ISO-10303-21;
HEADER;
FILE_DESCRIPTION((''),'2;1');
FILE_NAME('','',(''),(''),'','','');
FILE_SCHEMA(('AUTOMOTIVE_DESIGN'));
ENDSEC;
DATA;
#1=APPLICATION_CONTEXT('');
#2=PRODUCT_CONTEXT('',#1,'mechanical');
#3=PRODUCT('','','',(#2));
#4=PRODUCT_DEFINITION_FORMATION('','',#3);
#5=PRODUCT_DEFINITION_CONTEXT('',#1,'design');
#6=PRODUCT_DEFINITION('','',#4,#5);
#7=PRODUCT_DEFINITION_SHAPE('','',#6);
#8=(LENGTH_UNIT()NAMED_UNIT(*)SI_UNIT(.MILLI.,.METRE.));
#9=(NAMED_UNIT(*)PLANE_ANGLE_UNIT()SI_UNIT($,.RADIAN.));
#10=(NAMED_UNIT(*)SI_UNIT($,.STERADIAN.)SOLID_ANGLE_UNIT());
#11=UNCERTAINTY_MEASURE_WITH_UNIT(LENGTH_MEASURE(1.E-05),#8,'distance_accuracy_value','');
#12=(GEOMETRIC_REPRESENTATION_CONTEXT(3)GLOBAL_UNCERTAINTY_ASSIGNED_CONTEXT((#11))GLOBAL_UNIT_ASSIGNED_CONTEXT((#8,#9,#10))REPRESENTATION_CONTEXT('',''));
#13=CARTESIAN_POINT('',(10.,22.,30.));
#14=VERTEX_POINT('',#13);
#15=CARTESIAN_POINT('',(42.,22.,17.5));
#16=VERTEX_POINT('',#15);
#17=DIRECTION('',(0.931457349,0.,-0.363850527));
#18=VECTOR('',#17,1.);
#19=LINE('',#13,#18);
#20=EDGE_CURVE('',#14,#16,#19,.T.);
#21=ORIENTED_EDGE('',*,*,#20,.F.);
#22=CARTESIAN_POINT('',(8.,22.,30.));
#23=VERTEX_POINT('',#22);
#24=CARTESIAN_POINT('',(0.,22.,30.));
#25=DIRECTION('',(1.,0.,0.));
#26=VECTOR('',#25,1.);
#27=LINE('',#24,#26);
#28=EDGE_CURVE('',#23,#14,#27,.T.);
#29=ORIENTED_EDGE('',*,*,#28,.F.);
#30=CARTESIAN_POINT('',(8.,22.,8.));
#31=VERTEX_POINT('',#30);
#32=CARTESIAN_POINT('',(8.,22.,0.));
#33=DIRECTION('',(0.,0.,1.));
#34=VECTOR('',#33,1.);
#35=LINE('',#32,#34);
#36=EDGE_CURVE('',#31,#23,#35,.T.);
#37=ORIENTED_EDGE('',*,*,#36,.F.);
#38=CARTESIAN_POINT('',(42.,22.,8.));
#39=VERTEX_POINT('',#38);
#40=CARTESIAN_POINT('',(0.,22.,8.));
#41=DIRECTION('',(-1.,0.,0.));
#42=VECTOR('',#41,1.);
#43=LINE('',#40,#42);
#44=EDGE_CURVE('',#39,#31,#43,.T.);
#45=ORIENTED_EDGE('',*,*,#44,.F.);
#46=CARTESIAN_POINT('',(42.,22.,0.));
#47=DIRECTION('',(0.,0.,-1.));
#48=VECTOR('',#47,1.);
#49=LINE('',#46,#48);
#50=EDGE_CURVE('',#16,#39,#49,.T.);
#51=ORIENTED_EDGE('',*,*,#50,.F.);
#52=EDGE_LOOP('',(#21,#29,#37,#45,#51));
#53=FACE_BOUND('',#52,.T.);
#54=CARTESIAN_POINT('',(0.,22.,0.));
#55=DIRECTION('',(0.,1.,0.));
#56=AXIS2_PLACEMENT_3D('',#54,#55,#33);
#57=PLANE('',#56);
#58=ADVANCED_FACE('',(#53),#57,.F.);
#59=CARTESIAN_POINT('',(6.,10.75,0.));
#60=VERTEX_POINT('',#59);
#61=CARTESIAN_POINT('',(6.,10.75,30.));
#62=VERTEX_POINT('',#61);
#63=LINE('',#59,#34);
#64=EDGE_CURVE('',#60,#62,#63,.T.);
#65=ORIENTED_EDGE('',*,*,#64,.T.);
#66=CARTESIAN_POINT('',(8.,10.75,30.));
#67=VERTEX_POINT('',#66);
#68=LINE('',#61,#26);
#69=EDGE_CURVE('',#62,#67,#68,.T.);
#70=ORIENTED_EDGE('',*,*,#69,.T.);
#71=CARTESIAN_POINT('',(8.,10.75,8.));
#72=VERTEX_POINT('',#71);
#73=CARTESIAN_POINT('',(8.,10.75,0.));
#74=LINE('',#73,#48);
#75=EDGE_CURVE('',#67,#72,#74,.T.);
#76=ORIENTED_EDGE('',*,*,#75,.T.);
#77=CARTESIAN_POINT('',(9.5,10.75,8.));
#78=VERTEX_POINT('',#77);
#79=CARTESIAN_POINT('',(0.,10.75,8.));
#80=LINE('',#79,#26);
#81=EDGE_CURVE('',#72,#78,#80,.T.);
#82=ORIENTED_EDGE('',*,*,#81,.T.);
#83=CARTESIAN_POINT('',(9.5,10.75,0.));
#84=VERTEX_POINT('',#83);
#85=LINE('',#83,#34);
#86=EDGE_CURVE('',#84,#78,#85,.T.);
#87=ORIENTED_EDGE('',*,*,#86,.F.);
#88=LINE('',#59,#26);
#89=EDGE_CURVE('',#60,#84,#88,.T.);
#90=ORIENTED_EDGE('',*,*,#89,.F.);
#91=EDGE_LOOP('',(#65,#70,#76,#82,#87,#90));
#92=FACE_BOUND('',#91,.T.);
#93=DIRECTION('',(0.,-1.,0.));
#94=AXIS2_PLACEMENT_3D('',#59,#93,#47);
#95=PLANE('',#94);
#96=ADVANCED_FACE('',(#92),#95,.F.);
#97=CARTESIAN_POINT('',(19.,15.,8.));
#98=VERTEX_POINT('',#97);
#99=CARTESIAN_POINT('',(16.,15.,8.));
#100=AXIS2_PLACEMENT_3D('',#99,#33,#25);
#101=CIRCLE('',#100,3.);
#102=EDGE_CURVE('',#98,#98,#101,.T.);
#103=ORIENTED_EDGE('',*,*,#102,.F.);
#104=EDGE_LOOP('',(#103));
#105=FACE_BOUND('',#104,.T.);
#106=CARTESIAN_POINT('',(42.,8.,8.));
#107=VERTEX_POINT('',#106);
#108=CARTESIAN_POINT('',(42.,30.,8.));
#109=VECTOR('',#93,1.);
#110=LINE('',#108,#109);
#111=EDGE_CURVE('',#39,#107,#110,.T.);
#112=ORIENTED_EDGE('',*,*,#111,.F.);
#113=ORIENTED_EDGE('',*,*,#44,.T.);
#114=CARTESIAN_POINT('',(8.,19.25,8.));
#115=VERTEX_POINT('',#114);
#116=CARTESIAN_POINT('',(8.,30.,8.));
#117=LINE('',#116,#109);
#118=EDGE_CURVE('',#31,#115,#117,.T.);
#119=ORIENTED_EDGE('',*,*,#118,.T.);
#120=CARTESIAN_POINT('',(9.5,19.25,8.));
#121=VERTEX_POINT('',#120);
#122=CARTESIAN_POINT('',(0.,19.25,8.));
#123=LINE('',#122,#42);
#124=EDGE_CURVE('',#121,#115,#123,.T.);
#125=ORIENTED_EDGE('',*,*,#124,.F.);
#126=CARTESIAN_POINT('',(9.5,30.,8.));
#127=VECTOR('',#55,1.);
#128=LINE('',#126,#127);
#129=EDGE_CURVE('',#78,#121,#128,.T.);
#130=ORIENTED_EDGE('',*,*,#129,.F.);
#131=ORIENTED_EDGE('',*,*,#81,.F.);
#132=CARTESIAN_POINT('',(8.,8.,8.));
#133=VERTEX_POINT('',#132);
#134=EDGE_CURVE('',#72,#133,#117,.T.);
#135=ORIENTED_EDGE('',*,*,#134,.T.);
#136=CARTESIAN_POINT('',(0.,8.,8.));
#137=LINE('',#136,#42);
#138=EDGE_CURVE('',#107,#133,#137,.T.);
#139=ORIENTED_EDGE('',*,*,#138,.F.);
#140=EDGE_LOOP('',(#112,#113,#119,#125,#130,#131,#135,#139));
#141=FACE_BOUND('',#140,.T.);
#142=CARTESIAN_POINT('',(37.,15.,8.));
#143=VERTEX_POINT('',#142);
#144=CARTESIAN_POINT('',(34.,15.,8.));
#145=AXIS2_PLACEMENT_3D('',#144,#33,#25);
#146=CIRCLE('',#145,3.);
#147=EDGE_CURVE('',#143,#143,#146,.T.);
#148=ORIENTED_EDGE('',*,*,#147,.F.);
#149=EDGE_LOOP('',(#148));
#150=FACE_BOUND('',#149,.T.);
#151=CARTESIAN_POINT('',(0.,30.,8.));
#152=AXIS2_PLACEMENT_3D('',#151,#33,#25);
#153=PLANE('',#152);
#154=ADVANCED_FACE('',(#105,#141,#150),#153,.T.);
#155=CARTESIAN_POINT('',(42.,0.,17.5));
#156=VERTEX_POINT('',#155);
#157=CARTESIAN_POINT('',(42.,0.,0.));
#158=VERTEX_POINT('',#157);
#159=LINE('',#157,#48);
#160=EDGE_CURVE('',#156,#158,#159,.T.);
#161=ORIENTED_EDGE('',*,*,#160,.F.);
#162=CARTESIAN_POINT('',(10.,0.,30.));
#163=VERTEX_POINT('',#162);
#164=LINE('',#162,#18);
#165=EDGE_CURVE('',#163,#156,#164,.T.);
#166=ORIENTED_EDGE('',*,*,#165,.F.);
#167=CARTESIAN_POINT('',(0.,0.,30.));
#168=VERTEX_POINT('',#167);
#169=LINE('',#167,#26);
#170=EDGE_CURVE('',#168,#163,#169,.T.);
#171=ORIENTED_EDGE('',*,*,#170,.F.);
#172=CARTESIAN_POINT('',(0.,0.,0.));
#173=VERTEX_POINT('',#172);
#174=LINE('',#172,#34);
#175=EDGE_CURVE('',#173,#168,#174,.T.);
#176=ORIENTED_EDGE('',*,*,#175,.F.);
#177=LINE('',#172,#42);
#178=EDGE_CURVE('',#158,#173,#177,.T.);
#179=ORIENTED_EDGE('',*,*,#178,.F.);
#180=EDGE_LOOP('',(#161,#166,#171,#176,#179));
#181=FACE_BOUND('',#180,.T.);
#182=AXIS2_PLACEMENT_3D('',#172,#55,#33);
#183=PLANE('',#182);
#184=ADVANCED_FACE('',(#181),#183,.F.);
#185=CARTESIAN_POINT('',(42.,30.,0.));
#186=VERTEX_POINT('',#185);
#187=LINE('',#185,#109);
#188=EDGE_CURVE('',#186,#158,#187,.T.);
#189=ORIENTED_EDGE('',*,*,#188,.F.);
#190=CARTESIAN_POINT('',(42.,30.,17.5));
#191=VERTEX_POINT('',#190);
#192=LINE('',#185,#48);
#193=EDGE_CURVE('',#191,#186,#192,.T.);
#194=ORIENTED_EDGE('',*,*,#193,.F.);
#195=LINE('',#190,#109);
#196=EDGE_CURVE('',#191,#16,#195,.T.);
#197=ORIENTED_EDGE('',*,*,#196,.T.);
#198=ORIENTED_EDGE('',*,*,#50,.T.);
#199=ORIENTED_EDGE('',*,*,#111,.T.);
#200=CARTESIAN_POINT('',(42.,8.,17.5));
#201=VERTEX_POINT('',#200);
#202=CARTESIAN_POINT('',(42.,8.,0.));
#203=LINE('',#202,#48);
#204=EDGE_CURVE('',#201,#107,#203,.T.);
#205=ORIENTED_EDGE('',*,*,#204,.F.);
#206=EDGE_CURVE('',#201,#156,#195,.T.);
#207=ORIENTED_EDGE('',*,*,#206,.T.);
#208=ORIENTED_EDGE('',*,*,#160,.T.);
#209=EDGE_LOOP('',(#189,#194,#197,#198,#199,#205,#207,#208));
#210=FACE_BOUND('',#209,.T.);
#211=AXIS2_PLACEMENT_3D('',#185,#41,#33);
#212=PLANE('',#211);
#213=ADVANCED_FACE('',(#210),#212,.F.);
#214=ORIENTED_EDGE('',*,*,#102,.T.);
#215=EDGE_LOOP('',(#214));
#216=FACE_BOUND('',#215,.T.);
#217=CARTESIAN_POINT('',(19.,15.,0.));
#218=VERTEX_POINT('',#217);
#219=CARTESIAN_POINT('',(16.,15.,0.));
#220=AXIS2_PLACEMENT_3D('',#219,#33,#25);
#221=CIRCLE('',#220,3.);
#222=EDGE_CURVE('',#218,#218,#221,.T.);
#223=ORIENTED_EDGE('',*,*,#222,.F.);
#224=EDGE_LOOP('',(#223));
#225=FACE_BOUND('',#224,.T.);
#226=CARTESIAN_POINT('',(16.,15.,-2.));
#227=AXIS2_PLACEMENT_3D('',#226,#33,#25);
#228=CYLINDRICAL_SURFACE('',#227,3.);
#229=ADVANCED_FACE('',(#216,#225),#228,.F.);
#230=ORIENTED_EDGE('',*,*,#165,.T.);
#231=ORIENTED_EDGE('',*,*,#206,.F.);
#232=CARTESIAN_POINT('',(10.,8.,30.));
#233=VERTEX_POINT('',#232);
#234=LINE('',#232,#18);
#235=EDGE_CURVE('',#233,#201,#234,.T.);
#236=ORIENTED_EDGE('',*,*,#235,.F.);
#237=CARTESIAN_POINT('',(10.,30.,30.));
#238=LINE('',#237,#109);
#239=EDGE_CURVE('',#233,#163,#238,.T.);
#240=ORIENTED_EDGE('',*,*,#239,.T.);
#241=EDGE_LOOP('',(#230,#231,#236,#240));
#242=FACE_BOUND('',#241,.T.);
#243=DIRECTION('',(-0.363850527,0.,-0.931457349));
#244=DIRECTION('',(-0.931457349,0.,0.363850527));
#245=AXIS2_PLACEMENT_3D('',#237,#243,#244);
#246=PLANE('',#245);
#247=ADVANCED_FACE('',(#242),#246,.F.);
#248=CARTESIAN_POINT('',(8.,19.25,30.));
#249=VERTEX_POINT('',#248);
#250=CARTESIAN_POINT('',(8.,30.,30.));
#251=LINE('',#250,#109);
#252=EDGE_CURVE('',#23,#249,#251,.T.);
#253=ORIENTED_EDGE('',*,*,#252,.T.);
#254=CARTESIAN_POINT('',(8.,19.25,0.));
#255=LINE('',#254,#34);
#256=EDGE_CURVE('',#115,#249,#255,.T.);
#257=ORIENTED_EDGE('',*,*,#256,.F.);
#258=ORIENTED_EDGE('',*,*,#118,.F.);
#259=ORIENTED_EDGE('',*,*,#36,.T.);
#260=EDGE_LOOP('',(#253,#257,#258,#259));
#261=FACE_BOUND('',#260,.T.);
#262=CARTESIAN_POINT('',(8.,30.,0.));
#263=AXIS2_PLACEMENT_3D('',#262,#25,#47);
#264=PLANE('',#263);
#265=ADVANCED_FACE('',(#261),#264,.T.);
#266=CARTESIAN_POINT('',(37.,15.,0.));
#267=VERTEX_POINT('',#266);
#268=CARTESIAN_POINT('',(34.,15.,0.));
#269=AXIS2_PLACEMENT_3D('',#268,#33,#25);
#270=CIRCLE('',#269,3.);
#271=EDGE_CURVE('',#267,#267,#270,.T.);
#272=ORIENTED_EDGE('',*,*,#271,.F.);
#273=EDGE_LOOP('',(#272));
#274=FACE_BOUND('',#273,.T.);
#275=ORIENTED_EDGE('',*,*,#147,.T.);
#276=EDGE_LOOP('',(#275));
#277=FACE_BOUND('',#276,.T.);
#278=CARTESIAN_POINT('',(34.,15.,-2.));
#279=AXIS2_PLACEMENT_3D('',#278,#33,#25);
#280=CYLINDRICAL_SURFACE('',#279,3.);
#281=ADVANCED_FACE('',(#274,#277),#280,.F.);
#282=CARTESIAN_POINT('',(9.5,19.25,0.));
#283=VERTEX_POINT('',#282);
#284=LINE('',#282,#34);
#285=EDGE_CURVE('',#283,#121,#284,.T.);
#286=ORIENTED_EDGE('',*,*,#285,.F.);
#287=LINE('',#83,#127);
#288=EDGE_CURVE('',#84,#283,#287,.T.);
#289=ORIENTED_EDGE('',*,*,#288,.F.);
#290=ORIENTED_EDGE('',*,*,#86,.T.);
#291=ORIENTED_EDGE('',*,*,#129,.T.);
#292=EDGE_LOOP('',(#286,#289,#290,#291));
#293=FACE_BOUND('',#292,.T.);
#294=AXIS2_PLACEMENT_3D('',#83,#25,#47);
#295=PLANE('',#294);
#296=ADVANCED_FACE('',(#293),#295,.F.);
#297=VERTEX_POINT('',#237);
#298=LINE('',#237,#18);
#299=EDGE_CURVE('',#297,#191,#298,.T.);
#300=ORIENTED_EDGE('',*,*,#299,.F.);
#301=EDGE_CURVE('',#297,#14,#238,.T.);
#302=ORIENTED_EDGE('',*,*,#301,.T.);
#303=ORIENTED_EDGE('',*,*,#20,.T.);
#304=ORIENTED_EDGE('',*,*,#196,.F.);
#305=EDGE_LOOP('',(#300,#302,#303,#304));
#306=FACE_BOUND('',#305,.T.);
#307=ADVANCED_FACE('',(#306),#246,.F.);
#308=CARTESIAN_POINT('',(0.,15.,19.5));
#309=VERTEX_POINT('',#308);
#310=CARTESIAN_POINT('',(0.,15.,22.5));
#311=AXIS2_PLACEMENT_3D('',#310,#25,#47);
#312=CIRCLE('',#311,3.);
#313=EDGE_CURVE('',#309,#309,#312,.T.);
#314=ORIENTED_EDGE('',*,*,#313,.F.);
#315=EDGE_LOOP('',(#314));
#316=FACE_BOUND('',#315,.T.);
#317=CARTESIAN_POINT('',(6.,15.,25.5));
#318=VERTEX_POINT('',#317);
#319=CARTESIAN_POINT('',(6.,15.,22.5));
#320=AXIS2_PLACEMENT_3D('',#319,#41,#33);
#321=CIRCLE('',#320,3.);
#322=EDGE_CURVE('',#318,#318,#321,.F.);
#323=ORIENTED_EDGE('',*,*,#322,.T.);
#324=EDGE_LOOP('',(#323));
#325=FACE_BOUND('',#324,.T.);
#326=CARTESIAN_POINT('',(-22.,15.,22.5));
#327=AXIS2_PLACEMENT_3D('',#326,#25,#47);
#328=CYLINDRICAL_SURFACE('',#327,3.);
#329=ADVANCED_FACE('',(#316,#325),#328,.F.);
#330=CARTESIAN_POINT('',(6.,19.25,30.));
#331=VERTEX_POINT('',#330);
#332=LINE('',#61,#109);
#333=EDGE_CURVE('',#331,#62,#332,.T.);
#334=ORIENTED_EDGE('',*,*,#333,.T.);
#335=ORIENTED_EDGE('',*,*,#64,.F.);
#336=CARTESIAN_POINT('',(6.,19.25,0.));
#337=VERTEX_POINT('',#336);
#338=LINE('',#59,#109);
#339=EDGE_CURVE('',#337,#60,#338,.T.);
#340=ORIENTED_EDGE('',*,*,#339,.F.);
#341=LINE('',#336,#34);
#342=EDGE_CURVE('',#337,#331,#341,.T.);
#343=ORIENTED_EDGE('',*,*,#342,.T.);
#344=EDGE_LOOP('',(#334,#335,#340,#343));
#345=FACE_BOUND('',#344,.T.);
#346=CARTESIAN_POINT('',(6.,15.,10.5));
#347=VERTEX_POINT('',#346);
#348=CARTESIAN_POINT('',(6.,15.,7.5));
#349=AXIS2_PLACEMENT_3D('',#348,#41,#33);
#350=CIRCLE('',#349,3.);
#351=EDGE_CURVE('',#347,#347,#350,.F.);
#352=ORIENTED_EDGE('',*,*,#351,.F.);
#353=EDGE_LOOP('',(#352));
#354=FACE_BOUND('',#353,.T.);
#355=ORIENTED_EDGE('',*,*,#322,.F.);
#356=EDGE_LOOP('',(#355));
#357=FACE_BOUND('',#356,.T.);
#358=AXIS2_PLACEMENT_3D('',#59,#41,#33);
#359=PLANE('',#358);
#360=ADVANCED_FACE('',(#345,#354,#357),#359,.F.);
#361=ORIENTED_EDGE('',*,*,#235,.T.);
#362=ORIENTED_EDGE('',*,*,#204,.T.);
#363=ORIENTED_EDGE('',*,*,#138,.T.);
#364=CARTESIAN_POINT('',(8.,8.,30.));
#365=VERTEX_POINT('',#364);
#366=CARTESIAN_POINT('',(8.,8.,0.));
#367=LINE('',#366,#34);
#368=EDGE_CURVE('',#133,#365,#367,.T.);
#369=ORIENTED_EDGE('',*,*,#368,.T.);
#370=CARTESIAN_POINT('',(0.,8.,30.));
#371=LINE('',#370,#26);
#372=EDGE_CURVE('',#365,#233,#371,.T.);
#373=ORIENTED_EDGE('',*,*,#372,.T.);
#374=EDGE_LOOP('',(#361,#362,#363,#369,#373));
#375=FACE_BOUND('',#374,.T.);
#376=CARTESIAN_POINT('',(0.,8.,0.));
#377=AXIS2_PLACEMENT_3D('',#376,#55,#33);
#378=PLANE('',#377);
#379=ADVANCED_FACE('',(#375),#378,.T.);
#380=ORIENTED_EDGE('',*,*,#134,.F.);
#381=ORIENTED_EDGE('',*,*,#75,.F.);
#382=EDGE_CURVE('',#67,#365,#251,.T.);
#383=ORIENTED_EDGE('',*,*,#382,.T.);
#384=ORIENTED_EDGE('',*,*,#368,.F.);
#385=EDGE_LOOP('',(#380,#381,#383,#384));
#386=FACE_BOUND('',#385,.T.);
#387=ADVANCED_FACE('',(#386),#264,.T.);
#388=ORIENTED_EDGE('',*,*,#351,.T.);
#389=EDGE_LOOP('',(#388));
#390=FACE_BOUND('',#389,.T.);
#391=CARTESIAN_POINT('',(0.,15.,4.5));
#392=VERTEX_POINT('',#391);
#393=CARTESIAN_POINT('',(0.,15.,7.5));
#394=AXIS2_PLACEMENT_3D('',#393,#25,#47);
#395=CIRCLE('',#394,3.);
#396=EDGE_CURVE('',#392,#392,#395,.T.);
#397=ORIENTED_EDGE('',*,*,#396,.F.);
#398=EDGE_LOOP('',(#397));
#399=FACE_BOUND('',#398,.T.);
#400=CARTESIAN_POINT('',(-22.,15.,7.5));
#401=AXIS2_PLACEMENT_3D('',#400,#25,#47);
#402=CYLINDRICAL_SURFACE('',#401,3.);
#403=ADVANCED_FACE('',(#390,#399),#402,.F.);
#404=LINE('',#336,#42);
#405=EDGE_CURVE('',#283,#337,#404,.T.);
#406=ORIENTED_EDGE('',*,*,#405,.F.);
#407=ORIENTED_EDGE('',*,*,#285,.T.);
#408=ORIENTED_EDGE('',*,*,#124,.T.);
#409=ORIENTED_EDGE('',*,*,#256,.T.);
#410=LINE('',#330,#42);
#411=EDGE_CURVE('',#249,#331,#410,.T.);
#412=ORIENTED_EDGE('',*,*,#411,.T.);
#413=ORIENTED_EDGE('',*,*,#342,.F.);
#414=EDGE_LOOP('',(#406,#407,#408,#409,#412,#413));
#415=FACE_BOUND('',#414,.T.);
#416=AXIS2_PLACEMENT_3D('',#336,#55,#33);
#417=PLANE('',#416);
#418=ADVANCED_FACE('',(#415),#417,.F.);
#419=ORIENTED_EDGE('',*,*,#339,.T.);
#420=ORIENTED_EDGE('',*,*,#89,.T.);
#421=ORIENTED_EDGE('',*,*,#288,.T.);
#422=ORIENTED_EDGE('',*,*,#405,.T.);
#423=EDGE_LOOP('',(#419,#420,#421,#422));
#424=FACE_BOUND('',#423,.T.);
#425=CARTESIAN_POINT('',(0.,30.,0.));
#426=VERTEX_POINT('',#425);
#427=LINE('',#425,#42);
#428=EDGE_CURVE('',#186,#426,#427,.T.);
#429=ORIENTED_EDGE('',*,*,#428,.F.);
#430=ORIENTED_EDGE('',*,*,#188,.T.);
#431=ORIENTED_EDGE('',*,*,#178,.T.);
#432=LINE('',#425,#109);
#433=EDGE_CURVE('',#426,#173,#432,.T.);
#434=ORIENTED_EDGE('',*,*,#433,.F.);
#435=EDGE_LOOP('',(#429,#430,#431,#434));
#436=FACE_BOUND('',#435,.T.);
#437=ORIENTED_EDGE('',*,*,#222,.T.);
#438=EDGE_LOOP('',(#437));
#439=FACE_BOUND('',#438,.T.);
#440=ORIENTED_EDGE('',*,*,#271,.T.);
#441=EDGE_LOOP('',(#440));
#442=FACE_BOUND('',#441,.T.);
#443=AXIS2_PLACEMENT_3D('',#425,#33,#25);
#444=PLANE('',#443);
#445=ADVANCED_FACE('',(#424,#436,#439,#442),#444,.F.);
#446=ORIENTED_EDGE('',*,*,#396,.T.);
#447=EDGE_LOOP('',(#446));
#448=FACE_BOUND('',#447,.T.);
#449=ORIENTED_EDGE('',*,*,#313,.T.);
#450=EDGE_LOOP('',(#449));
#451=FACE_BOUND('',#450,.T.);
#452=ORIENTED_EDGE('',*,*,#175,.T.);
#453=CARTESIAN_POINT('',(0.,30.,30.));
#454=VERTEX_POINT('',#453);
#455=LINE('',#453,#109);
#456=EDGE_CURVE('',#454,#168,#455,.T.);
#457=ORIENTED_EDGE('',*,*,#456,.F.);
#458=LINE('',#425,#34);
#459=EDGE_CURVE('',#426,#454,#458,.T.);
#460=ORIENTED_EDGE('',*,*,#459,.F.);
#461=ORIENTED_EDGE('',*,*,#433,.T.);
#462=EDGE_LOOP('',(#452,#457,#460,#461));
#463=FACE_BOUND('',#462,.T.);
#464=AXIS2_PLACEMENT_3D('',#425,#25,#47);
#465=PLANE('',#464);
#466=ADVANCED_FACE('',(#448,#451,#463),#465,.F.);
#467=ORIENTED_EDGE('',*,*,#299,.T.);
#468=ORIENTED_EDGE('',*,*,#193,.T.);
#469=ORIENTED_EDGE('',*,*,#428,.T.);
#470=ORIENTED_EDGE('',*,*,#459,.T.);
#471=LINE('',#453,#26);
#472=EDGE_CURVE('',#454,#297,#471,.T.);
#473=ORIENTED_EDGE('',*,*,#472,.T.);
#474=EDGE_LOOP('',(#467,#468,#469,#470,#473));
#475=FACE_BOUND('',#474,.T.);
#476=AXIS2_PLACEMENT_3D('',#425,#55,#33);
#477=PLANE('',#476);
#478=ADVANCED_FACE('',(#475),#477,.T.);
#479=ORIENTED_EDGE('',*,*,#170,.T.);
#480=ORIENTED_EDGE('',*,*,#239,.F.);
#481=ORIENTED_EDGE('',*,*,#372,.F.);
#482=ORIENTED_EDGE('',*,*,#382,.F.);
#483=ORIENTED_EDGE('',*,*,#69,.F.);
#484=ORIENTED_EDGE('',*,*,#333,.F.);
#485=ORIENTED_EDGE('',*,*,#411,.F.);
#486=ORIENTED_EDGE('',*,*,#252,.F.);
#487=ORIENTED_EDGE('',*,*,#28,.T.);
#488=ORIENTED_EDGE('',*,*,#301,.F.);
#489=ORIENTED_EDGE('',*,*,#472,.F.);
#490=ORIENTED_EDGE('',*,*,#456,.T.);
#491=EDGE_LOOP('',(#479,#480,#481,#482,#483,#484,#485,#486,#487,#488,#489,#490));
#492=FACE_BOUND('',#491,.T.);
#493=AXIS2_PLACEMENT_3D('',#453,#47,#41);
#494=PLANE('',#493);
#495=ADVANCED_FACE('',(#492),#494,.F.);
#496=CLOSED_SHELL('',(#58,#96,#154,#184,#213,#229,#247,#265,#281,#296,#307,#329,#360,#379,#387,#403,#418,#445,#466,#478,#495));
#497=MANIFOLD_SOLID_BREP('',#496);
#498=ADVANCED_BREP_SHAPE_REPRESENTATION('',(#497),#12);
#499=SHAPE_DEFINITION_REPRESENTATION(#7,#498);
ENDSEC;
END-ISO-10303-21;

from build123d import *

# Parameters (mm, degrees)
BOSS_EXTRUDE1_DEPTH     = 30
SHELL1_T                = -8
SKETCH3_R               = 3
CUT_EXTRUDE1_DEPTH      = 30
SKETCH4_R               = 3
CUT_EXTRUDE2_DEPTH      = 10
CUT_EXTRUDE3_DEPTH      = 57.107040556
CUT_EXTRUDE3_DEPTH_BACK = 57.107040556
SKETCH8_W               = 3.5
SKETCH8_H               = 8.5


with BuildPart() as part:
    # Sketch2 → Boss-Extrude1 (new body)
    with BuildSketch(Plane(origin=(0, 0, 0), x_dir=(1, 0, 0), z_dir=(0, 1, 0))):
        Polygon((10, -30), (42, -17.5), (42, 0), (0, 0), (0, -30), align=None)
    extrude(amount=BOSS_EXTRUDE1_DEPTH)

    # Shell1
    shell1_openings = [part.faces().sort_by_distance(p)[0] for p in [
        (42, 15, 8.75),
        (26, 15, 23.75),
        (5, 15, 30),
    ]]
    offset(amount=SHELL1_T, openings=shell1_openings, kind=Kind.INTERSECTION)

    # Sketch3 → Cut-Extrude1 (cut)
    with BuildSketch(Plane(origin=(8, 0, 0), x_dir=(0, 0, -1), z_dir=(1, 0, 0))):
        with Locations((-22.5, 15)):
            Circle(SKETCH3_R)
        with Locations((-7.5, 15)):
            Circle(SKETCH3_R)
    extrude(amount=-CUT_EXTRUDE1_DEPTH, mode=Mode.SUBTRACT)

    # Sketch4 → Cut-Extrude2 (cut)
    with BuildSketch(Plane.XY.offset(8)):
        with Locations((16, 15)):
            Circle(SKETCH4_R)
        with Locations((34, 15)):
            Circle(SKETCH4_R)
    extrude(amount=-CUT_EXTRUDE2_DEPTH, mode=Mode.SUBTRACT)

    # Sketch8 → Cut-Extrude3 (cut, two sides: drawn at the far end of the back side and taken through both)
    with BuildSketch(Plane.XY.offset(8).offset(-CUT_EXTRUDE3_DEPTH_BACK)):
        with Locations((7.75, 15)):
            Rectangle(SKETCH8_W, SKETCH8_H)
    extrude(amount=CUT_EXTRUDE3_DEPTH + CUT_EXTRUDE3_DEPTH_BACK, mode=Mode.SUBTRACT)


solid = part.part
